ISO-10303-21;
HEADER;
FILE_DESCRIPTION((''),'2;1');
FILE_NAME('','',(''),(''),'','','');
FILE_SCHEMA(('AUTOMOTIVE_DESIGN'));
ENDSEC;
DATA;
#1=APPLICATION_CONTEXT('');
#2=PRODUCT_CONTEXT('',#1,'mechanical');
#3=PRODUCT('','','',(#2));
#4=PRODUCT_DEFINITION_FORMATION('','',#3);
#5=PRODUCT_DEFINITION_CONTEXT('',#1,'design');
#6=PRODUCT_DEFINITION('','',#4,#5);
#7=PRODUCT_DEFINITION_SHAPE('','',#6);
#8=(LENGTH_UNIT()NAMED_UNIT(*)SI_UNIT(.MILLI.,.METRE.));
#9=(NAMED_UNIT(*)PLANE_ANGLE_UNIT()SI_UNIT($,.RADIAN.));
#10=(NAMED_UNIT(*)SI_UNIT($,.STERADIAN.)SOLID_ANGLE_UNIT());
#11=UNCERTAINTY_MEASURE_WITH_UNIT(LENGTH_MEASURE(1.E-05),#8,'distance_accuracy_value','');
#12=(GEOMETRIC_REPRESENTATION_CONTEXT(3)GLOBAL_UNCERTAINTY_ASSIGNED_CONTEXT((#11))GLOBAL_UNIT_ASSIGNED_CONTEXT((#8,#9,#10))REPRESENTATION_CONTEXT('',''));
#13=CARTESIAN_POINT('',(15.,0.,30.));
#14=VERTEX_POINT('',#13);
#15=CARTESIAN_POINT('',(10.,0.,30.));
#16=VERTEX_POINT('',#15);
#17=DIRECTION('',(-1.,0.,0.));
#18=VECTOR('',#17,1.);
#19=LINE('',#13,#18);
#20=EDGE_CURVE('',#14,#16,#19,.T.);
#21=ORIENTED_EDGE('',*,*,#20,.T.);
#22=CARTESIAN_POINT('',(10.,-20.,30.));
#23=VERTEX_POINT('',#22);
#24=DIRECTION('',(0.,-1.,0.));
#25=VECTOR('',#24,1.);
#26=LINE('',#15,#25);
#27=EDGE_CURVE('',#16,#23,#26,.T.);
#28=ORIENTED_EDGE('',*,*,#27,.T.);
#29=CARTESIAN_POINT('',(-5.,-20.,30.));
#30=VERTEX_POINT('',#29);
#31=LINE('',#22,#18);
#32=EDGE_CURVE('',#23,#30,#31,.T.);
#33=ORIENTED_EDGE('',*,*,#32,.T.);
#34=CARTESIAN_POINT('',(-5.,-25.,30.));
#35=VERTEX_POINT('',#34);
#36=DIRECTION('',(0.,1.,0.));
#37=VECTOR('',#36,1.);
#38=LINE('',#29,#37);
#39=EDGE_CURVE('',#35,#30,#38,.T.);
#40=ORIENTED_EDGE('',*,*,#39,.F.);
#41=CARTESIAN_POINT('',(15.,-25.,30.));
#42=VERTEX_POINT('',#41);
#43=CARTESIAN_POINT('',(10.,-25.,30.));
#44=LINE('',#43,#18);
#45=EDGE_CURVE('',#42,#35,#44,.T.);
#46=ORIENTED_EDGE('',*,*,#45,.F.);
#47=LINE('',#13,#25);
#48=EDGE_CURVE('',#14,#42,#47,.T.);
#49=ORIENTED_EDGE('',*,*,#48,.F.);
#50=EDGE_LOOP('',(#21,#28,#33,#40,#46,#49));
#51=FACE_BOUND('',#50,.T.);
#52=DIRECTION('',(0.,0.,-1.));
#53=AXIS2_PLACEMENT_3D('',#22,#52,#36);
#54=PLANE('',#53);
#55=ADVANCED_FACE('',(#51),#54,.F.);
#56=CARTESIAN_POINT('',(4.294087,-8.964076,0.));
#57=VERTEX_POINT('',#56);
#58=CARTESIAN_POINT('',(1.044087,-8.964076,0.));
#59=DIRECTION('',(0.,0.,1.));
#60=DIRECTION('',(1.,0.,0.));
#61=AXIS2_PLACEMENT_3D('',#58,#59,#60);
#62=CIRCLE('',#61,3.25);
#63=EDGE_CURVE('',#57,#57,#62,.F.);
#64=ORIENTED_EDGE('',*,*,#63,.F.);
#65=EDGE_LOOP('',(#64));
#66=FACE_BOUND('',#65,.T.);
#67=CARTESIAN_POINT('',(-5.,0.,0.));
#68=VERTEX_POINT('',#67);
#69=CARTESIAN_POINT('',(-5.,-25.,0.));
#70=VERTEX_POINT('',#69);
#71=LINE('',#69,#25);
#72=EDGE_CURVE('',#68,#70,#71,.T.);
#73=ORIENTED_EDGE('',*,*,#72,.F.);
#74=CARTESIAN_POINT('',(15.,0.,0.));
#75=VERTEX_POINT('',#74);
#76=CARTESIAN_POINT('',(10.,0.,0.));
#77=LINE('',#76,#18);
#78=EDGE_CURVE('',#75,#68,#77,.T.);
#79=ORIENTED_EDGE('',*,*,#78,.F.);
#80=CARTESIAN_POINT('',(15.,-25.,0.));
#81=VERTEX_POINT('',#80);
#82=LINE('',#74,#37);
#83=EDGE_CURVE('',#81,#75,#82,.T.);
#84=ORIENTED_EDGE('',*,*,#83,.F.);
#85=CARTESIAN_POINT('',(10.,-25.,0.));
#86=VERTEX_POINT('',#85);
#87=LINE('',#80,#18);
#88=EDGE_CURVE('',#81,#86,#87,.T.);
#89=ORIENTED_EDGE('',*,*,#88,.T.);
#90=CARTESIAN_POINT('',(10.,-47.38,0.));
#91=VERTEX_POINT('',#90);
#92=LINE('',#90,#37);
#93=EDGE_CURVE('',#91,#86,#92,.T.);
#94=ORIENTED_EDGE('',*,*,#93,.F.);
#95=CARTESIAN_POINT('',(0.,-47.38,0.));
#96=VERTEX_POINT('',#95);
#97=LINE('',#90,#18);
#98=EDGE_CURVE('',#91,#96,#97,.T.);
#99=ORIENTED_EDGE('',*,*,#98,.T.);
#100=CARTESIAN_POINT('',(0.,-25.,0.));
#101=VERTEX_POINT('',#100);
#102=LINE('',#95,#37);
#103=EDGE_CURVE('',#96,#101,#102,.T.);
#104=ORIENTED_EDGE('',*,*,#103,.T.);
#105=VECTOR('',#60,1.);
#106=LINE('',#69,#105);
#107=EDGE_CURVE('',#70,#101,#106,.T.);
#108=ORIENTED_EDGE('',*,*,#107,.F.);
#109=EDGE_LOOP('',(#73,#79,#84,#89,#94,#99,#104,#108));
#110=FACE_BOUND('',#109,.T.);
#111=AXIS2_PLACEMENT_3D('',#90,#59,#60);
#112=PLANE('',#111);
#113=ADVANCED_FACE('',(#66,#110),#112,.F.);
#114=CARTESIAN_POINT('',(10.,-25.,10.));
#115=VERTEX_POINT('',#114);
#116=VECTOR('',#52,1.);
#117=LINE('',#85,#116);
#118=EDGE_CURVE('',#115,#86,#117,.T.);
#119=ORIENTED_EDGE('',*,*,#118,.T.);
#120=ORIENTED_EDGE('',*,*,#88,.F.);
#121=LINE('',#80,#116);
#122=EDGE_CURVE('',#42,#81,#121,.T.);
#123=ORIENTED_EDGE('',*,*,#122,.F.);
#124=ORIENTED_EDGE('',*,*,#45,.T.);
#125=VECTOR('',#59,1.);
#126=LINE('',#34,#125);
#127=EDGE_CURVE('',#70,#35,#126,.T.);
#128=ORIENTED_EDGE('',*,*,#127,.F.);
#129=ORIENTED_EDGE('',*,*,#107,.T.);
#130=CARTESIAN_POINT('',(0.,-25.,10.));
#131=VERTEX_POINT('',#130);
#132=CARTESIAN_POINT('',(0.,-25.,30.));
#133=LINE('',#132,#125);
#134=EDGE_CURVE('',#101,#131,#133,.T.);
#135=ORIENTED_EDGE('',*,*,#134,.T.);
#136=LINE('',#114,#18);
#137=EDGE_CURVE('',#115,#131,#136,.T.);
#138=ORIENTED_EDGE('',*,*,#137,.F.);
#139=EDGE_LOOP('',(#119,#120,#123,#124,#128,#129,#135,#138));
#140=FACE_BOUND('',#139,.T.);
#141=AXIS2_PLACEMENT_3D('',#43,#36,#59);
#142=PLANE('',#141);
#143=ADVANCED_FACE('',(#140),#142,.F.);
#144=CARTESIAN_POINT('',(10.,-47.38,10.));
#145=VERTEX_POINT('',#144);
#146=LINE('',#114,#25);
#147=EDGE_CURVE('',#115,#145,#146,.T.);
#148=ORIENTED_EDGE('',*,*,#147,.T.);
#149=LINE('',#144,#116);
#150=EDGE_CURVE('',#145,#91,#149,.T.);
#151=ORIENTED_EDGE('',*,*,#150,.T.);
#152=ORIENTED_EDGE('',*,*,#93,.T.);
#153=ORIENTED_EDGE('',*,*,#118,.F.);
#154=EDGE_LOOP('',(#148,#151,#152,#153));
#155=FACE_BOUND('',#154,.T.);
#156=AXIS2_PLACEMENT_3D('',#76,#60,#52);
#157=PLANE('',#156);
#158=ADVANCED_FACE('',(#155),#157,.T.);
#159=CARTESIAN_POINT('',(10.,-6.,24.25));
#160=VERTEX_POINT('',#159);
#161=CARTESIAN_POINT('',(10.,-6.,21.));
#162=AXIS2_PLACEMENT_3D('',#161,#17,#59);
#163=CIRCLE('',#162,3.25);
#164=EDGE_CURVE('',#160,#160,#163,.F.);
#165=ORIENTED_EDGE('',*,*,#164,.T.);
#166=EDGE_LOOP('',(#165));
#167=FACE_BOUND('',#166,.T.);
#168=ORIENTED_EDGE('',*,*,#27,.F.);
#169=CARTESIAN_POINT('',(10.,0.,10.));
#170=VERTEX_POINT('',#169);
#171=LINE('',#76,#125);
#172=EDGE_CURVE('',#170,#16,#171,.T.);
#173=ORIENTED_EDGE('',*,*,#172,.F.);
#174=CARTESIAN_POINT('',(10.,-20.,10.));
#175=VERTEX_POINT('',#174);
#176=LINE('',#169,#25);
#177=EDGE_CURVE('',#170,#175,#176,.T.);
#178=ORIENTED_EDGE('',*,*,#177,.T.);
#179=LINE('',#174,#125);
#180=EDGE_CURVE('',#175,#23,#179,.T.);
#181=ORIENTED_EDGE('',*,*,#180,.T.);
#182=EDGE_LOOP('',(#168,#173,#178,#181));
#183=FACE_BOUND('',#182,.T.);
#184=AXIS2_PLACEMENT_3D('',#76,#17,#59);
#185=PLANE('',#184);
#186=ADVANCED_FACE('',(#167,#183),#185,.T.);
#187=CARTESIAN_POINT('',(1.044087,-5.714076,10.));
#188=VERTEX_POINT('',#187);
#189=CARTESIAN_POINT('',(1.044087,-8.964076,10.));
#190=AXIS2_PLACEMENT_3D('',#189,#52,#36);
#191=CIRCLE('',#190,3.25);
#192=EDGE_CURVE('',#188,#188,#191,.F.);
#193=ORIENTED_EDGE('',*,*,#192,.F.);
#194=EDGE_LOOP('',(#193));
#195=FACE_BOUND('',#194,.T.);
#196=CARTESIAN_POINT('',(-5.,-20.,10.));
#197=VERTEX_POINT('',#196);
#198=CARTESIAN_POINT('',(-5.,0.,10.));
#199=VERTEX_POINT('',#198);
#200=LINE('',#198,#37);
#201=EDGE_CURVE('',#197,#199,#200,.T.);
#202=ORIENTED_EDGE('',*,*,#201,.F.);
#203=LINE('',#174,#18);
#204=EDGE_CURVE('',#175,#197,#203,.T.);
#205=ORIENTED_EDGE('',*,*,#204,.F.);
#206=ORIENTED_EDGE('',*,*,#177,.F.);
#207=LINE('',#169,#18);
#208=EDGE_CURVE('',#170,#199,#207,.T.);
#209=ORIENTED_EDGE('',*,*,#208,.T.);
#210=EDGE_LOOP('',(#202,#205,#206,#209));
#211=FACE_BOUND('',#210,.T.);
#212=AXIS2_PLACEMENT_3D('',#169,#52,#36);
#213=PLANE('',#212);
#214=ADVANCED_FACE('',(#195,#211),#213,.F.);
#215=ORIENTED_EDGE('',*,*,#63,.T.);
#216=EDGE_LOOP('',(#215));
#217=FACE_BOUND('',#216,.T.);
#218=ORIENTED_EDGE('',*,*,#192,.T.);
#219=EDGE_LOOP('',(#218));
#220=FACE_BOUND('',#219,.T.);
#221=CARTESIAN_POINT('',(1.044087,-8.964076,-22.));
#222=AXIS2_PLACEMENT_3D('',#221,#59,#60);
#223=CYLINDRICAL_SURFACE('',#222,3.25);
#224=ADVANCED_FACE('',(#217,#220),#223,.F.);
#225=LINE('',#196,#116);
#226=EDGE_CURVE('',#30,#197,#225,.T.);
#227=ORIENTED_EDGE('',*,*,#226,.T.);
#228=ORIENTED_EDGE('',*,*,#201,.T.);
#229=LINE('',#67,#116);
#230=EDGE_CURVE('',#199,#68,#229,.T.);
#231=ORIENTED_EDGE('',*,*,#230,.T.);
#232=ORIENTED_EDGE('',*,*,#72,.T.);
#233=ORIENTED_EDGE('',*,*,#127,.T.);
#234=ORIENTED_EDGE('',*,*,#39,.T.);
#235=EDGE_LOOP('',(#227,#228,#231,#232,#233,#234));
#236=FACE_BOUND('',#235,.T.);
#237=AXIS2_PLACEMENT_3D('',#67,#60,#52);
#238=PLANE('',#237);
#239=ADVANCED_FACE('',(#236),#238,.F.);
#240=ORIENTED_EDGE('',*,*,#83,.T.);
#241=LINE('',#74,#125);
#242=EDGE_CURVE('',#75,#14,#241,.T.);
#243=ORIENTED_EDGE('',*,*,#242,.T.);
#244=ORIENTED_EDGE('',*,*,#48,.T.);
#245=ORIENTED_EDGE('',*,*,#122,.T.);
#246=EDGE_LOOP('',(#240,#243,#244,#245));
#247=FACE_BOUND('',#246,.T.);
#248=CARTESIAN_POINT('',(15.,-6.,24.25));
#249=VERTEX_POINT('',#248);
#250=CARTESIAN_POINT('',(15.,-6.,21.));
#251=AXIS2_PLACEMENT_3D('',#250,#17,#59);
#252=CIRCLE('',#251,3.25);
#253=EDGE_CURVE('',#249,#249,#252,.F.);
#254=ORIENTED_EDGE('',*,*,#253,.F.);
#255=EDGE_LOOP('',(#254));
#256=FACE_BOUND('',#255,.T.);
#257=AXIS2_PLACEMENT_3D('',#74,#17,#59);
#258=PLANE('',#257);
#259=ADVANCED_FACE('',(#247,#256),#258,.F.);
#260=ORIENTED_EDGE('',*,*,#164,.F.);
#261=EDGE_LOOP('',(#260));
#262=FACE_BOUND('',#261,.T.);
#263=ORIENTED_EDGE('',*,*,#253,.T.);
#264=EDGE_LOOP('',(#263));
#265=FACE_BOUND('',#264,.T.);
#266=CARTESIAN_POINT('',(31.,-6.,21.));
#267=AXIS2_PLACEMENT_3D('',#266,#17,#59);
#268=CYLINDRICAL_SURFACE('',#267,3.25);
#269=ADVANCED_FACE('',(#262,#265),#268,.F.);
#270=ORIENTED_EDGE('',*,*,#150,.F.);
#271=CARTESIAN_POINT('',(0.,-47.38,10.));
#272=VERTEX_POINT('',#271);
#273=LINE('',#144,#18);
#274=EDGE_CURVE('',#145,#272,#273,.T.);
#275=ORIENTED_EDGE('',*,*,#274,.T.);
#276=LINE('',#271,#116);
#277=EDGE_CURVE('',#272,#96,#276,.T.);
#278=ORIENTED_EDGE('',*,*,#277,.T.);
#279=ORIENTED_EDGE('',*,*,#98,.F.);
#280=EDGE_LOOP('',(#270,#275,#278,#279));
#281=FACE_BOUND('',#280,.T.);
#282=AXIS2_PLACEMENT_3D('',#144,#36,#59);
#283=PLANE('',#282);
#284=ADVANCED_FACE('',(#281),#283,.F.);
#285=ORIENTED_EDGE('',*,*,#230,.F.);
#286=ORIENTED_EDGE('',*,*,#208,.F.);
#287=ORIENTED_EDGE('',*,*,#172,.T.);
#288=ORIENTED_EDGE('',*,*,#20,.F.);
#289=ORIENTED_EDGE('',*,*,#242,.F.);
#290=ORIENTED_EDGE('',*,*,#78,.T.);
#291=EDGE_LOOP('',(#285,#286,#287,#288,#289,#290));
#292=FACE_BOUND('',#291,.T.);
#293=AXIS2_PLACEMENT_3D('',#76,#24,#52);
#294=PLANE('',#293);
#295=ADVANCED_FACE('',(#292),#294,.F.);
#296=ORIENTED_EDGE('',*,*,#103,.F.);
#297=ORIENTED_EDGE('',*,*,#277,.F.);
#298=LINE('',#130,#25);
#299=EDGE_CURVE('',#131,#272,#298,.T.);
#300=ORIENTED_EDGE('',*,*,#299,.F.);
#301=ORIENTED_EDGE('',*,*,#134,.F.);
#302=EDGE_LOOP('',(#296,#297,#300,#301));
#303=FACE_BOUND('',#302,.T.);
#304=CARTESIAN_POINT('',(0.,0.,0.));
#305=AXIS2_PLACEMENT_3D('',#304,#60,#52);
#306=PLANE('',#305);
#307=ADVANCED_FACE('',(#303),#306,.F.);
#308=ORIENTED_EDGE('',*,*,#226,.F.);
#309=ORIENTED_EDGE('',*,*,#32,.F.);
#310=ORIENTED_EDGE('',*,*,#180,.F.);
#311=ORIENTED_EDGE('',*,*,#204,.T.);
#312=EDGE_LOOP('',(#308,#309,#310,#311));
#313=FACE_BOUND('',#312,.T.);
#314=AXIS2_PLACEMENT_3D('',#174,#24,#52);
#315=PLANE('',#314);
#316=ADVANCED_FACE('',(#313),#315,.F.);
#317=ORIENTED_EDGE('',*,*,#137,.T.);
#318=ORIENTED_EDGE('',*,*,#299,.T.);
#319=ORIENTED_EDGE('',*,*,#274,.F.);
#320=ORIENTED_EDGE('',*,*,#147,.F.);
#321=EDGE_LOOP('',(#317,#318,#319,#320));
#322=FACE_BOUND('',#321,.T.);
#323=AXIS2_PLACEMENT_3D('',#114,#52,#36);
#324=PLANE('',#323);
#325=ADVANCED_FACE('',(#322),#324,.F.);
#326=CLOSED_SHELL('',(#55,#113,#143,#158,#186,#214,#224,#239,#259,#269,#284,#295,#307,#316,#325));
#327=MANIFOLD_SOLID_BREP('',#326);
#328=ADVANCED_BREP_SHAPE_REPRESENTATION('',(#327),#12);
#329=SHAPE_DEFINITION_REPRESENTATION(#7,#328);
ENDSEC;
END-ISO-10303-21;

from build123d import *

# Parameters (mm, degrees)
BOSS_EXTRUDE1_DEPTH     = 10
BOSS_EXTRUDE5_DEPTH     = 5
SKETCH3_W               = 30
SKETCH3_H               = 25
BOSS_EXTRUDE6_DEPTH     = 5
SKETCH4_R               = 3.25
CUT_EXTRUDE1_DEPTH      = 22
CUT_EXTRUDE1_DEPTH_BACK = 17
SKETCH5_R               = 3.25
CUT_EXTRUDE2_DEPTH      = 16
CUT_EXTRUDE2_DEPTH_BACK = 20


with BuildPart() as part:
    # Sketch1 → Boss-Extrude1 (new body)
    with BuildSketch(Plane(origin=(0, 0, 0), x_dir=(0, 0, -1), z_dir=(1, 0, 0))):
        Polygon((0, 0), (-10, 0), (-10, -20), (-30, -20), (-30, -25), (-10, -25), (-10, -47.38), (0, -47.38), align=None)
    extrude(amount=BOSS_EXTRUDE1_DEPTH)

    # Sketch2 → Boss-Extrude5 (add)
    with BuildSketch(Plane.ZY):
        Polygon((0, 0), (10, 0), (10, -20), (30, -20), (30, -25), (0, -25), align=None)
    extrude(amount=BOSS_EXTRUDE5_DEPTH)

    # Sketch3 → Boss-Extrude6 (add)
    with BuildSketch(Plane(origin=(10, 0, 0), x_dir=(0, 0, -1), z_dir=(1, 0, 0))):
        with Locations((-15, -12.5)):
            Rectangle(SKETCH3_W, SKETCH3_H)
    extrude(amount=BOSS_EXTRUDE6_DEPTH)

    # Sketch4 → Cut-Extrude1 (cut, two sides)
    with BuildSketch(Plane(origin=(0, 0, 0), x_dir=(-1, 0, 0), z_dir=(0, 0, -1))) as cut_extrude1_sk:
        with Locations((-1.044087289, -8.964075593)):
            Circle(SKETCH4_R)
    extrude(amount=CUT_EXTRUDE1_DEPTH, mode=Mode.SUBTRACT)
    extrude(cut_extrude1_sk.sketch, amount=-CUT_EXTRUDE1_DEPTH_BACK, mode=Mode.SUBTRACT)

    # Sketch5 → Cut-Extrude2 (cut, two sides)
    with BuildSketch(Plane(origin=(15, 0, 0), x_dir=(0, 0, -1), z_dir=(1, 0, 0))) as cut_extrude2_sk:
        with Locations((-21, -6)):
            Circle(SKETCH5_R)
    extrude(amount=CUT_EXTRUDE2_DEPTH, mode=Mode.SUBTRACT)
    extrude(cut_extrude2_sk.sketch, amount=-CUT_EXTRUDE2_DEPTH_BACK, mode=Mode.SUBTRACT)


solid = part.part
